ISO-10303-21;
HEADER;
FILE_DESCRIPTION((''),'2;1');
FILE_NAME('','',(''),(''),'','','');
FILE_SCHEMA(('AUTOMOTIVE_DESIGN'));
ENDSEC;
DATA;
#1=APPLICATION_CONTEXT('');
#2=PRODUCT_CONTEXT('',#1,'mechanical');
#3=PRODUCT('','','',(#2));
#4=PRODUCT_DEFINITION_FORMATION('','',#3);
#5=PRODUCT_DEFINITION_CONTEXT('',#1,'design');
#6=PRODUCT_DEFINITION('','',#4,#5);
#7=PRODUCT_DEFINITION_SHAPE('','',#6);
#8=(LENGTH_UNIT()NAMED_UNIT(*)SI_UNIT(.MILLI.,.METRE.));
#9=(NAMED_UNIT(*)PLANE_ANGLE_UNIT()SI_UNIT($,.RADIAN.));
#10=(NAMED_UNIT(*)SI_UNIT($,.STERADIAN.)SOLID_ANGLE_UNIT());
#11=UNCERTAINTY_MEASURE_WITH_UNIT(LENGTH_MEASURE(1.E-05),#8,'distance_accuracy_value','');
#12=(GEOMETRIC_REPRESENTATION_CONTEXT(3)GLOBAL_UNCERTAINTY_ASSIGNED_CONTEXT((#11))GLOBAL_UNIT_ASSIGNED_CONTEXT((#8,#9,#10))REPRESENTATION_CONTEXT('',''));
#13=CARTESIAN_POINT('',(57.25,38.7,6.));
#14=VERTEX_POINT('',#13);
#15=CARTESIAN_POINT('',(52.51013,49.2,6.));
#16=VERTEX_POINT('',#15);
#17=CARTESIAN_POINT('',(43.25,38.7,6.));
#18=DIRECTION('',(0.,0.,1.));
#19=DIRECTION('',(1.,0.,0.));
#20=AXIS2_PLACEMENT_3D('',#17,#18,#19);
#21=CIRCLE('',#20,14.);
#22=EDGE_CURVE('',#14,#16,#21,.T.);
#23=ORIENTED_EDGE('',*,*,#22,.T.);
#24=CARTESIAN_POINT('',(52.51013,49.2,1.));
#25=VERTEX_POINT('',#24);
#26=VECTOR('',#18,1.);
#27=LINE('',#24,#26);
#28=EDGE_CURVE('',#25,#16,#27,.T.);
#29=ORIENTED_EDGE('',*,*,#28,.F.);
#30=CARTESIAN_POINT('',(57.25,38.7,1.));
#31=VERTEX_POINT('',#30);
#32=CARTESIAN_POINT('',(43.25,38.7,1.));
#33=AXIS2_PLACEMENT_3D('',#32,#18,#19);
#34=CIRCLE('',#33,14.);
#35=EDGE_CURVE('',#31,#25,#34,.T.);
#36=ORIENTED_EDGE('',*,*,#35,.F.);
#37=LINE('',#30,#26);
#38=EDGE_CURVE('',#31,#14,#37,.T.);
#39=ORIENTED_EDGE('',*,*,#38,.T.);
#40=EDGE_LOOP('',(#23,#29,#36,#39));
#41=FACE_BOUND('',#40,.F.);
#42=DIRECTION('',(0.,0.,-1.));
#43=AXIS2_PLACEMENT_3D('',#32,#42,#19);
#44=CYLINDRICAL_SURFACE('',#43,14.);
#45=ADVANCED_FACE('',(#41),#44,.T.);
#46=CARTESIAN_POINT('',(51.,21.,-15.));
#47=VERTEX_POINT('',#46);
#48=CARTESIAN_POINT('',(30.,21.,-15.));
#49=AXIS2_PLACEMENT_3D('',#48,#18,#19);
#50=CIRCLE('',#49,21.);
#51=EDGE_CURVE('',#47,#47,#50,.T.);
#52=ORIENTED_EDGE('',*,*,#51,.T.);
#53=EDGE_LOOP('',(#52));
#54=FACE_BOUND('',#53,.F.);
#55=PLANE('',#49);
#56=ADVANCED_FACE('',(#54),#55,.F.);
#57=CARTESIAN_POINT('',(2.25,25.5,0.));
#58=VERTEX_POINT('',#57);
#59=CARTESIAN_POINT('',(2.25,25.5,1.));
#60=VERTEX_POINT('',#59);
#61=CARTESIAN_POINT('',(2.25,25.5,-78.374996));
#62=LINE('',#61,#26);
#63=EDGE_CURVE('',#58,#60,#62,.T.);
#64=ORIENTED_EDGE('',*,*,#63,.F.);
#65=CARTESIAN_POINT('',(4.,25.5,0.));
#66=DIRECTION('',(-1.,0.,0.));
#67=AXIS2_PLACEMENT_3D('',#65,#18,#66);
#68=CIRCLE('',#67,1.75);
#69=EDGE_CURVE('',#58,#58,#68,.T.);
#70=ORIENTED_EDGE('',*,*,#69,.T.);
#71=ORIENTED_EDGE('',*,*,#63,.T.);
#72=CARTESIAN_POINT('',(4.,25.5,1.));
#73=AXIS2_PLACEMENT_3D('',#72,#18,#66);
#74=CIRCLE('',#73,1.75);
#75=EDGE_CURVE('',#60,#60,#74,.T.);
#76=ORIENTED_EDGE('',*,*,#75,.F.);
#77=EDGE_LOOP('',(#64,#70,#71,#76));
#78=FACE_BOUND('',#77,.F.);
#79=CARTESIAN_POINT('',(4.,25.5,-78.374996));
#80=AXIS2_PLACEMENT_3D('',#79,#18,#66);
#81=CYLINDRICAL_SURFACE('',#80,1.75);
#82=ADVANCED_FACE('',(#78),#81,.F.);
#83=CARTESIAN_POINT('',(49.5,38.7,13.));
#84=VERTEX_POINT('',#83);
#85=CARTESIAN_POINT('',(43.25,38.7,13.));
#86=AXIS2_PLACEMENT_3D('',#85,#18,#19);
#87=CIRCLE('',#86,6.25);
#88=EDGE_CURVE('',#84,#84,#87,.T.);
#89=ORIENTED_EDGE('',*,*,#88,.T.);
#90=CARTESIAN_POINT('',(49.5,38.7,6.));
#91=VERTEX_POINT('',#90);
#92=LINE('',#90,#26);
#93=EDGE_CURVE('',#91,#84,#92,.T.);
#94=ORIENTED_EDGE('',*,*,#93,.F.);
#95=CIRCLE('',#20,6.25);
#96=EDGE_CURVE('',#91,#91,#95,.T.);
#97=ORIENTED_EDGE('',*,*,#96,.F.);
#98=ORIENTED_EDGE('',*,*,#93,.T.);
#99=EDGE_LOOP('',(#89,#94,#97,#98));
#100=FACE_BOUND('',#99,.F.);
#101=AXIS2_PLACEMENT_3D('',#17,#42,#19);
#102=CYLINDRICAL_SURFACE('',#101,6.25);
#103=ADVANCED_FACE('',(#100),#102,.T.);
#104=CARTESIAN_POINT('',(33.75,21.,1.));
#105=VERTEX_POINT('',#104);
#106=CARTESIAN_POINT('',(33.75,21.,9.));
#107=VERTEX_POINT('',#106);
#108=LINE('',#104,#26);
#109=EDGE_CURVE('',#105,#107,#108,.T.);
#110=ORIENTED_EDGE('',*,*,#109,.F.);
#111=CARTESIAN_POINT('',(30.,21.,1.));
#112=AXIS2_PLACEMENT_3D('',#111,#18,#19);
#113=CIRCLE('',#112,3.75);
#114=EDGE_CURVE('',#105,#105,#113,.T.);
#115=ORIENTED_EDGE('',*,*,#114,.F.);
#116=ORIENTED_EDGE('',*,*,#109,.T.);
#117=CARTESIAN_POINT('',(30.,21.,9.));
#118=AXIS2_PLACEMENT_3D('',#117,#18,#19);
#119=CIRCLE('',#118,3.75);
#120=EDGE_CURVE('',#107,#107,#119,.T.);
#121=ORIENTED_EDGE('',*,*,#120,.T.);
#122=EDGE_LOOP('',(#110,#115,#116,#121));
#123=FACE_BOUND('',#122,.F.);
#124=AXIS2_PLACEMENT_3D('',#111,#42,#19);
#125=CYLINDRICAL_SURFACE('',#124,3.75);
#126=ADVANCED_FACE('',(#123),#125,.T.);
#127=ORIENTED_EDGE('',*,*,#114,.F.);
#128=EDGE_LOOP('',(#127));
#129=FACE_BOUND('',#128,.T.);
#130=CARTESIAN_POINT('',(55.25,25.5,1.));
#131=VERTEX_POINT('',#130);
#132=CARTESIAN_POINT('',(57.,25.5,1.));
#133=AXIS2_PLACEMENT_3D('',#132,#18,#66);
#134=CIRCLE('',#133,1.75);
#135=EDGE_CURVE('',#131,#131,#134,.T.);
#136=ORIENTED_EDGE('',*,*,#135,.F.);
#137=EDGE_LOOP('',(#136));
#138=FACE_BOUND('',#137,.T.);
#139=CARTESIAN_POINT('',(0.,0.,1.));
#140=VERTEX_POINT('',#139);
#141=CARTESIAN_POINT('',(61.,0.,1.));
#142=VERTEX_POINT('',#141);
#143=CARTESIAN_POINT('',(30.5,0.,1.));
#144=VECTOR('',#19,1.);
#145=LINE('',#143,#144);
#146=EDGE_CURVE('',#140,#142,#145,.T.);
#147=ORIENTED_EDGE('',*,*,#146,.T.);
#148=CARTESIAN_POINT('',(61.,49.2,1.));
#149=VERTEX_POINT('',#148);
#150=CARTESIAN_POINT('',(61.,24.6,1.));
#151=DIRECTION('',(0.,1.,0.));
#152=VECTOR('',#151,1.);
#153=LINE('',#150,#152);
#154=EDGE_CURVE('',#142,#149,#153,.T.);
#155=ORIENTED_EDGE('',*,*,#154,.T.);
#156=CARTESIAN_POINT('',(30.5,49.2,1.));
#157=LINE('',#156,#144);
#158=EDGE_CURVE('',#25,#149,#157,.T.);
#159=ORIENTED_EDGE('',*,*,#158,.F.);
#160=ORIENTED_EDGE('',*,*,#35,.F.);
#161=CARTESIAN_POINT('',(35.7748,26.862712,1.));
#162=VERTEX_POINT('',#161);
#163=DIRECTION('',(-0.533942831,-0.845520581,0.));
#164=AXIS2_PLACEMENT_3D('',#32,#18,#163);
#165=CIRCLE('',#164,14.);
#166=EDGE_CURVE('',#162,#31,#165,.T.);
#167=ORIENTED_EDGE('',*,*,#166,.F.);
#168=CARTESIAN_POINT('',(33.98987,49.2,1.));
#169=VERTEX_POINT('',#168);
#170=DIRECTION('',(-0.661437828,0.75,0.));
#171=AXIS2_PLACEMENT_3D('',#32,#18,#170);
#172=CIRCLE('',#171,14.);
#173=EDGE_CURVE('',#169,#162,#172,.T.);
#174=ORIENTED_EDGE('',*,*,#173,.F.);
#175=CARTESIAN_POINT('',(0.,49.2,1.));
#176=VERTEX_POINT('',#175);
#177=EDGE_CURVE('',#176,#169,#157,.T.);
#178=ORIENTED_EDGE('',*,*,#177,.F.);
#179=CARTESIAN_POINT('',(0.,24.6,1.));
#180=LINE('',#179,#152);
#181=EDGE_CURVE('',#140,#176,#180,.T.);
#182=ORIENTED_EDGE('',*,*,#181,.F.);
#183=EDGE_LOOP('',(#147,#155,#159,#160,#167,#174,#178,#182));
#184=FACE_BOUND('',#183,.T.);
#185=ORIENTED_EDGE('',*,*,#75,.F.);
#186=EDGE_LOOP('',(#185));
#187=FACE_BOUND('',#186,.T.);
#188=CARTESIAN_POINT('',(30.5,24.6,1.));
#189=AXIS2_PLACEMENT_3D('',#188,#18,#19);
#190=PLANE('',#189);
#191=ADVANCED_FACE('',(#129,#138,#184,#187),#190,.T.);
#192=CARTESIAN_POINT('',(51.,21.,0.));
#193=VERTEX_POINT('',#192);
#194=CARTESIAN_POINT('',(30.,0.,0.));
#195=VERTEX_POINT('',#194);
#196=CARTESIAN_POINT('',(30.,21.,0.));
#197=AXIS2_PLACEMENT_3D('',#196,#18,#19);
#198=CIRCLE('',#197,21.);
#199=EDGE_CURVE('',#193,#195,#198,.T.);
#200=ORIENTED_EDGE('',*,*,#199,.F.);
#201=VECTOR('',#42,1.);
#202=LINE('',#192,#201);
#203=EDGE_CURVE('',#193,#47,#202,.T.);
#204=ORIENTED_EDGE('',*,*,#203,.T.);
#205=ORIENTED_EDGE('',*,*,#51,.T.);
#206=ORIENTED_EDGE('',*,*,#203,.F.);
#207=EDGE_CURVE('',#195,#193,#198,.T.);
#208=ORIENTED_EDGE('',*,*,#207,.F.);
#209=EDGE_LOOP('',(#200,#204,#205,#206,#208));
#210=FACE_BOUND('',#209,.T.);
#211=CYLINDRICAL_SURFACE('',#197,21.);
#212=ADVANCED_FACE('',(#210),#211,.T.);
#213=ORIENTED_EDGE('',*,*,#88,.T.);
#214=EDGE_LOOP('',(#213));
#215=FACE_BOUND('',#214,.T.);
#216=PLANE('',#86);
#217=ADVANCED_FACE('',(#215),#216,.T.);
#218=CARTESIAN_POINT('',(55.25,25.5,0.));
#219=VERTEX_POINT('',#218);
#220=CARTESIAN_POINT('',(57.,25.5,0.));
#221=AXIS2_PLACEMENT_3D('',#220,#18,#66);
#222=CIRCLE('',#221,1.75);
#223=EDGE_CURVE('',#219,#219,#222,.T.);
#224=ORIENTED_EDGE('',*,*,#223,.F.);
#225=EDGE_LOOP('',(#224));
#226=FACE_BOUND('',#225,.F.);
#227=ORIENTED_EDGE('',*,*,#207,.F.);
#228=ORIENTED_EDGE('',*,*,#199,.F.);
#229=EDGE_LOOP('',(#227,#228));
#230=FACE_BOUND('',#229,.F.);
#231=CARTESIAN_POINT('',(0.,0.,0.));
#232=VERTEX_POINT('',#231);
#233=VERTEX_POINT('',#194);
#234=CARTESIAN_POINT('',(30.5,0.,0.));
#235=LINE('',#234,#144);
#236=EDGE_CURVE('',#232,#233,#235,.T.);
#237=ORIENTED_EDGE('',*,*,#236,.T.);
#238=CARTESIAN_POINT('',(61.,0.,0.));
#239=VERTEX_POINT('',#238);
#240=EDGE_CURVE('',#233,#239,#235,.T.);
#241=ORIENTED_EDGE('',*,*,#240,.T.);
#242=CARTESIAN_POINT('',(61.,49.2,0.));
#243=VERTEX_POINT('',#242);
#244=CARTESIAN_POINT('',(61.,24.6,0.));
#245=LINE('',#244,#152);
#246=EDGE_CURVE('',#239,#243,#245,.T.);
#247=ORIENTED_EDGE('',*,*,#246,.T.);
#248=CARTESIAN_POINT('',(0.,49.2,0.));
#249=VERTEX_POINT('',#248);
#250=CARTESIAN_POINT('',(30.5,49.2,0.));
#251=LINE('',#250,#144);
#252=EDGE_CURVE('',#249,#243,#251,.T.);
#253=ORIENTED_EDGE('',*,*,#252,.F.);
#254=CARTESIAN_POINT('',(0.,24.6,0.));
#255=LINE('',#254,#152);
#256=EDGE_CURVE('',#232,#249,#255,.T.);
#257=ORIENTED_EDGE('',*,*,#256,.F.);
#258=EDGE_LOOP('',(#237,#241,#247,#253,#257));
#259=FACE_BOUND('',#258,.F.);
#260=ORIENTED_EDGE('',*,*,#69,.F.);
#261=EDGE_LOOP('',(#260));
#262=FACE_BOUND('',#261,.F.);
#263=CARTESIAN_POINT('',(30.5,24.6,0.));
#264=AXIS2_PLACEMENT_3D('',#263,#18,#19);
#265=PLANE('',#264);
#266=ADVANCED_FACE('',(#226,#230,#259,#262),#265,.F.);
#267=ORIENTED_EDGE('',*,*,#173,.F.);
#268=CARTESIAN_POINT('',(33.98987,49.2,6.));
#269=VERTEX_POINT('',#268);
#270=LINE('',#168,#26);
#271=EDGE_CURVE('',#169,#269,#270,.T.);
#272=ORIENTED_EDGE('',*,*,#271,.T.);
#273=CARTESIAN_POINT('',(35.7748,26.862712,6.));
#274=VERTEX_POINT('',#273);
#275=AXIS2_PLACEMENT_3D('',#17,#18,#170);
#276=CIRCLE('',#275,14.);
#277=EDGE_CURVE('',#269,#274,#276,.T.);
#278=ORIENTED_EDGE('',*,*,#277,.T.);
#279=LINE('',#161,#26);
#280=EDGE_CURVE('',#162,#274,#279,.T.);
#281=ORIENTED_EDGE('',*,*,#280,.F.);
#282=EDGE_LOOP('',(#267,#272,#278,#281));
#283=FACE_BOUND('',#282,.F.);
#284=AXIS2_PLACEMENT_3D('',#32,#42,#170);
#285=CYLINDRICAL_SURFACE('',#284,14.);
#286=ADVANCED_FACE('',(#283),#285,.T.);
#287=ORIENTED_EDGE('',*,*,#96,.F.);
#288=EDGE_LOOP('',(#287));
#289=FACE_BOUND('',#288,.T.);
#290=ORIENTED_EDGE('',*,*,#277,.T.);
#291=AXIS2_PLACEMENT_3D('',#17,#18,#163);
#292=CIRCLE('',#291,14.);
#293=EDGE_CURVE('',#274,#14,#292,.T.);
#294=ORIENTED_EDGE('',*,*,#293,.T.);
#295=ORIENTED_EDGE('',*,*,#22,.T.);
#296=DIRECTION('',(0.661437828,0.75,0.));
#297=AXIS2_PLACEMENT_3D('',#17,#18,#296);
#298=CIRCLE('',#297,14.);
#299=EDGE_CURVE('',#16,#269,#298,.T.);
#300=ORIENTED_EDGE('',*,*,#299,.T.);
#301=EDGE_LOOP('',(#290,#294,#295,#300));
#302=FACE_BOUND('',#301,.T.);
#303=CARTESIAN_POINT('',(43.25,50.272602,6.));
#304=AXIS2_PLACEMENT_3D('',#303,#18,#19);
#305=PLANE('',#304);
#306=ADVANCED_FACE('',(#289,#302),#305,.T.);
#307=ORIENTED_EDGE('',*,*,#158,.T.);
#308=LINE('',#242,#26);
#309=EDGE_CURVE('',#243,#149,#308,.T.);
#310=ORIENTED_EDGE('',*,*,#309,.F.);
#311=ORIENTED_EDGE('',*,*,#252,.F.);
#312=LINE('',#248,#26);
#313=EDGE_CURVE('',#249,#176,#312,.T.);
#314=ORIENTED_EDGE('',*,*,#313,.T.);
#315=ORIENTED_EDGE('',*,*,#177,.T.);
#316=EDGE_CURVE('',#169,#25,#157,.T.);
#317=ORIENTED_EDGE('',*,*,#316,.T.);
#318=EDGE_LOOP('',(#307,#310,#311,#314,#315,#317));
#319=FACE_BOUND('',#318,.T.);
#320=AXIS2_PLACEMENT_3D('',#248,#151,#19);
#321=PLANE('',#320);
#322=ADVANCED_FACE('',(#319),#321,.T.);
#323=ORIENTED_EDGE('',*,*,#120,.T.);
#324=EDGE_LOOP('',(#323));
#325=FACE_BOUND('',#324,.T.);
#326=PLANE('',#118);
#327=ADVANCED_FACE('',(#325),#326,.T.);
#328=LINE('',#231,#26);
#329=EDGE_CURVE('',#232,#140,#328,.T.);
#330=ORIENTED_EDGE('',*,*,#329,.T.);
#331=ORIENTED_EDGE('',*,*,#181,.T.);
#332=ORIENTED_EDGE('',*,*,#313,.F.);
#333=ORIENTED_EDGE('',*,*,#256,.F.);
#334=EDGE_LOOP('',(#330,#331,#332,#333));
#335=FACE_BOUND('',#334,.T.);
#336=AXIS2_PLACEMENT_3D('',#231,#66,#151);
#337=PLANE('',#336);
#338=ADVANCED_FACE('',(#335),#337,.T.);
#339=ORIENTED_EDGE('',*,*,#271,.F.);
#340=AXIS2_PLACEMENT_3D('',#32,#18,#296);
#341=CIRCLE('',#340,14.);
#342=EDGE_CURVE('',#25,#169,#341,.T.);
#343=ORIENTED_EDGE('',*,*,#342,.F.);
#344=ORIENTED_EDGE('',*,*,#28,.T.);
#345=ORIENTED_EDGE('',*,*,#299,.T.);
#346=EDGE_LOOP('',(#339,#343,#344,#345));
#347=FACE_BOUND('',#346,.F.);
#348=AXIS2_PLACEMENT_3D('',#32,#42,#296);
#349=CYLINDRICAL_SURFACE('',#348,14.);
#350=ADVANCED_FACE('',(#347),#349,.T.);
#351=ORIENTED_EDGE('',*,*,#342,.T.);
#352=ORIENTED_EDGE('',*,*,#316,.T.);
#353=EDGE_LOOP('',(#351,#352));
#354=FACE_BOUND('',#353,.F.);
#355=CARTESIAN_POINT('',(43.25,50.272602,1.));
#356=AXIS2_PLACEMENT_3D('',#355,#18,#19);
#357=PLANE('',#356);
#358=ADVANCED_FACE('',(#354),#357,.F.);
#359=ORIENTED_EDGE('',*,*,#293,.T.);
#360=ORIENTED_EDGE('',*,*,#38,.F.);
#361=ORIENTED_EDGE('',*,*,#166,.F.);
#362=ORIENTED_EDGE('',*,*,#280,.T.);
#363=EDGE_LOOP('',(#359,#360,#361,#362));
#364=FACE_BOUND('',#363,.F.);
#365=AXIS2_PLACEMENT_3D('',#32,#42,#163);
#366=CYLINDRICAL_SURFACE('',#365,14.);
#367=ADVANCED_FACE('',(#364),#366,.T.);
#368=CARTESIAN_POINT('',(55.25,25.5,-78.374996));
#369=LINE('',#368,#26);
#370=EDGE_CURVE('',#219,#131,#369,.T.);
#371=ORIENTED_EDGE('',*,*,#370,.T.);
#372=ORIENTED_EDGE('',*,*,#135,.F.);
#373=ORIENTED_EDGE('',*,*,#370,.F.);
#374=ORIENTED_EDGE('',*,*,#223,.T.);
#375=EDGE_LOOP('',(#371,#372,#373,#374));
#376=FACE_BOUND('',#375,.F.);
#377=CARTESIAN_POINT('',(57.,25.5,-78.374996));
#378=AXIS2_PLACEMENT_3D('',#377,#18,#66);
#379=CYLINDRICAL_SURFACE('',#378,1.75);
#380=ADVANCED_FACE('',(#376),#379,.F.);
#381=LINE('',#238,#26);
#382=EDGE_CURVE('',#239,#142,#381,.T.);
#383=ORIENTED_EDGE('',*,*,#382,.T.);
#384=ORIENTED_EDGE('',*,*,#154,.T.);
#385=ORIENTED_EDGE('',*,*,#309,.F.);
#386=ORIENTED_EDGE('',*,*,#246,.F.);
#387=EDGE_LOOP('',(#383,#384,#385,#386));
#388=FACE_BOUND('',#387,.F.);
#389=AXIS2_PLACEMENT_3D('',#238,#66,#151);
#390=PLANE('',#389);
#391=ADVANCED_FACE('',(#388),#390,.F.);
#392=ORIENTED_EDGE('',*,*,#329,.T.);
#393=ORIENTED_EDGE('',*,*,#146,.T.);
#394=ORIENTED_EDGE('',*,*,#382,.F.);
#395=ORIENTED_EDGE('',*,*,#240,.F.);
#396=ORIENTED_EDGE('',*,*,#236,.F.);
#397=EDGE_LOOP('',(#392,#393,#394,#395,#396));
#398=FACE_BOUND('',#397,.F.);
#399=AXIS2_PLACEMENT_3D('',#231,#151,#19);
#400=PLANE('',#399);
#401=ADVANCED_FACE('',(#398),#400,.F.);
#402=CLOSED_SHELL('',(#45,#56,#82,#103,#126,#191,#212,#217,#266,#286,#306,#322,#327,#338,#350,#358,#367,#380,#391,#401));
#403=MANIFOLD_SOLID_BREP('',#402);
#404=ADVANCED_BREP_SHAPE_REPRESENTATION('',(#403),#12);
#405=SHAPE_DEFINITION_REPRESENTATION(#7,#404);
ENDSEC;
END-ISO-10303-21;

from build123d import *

# Parameters (mm, degrees)
F0_W     = 61
F0_H     = 49.2
F1_DEPTH = 1
F2_D     = 3.5
F3_R     = 3.75
F4_DEPTH = 8
F3_R_2   = 6.25
F5_DEPTH = 5
F6_R     = 21
F7_DEPTH = 15
F8_R     = 6.25
F9_DEPTH = 7


with BuildPart() as f1:
    # F0 (on Top) → F1 (new body)
    with BuildSketch(Plane.XY):
        with Locations((30.5, 24.6)):
            Rectangle(F0_W, F0_H)
    extrude(amount=F1_DEPTH)

    # F2 (through all)
    with Locations(Plane(origin=(0, 0, 0), x_dir=(1, 0, 0), z_dir=(0, 0, -1))):
        with Locations((4, -25.5), (57, -25.5)):
            Hole(F2_D / 2)

    # F3 (on face) → F4 (join)
    with BuildSketch(Plane.XY.offset(1)):
        with Locations((30, 21)):
            Circle(F3_R)
    extrude(amount=F4_DEPTH)

    # F3 (on face) → F5 (join)
    with BuildSketch(Plane.XY.offset(1)):
        with BuildLine():
            ThreePointArc((52.5101295887, 49.2), (43.25, 52.7), (33.9898704113, 49.2))
            Line((33.9898704113, 49.2), (52.5101295887, 49.2))
        make_face()
        with BuildLine():
            ThreePointArc((33.9898704113, 49.2), (29.2944841953, 37.5848414357), (35.7748003642, 26.8627118644))
            ThreePointArc((35.7748003642, 26.8627118644), (43.25, 30.5), (50.7251996358, 26.8627118644))
            ThreePointArc((50.7251996358, 26.8627118644), (55.5107665931, 31.9417751924), (57.25, 38.7))
            ThreePointArc((57.25, 38.7), (56.0101295887, 44.4601295887), (52.5101295887, 49.2))
            Line((52.5101295887, 49.2), (33.9898704113, 49.2))
        make_face()
        with Locations((43.25, 38.7)):
            Circle(F3_R_2, mode=Mode.SUBTRACT)
        with Locations((43.25, 38.7)):
            Circle(F3_R_2)
        with BuildLine():
            ThreePointArc((50.7251996358, 26.8627118644), (43.25, 30.5), (35.7748003642, 26.8627118644))
            ThreePointArc((35.7748003642, 26.8627118644), (43.25, 24.7), (50.7251996358, 26.8627118644))
        make_face()
    extrude(amount=F5_DEPTH)

    # F6 (on face) → F7 (join)
    with BuildSketch(Plane.XY):
        with Locations((30, 21)):
            Circle(F6_R)
    extrude(amount=-F7_DEPTH)

    # F8 (on face) → F9 (join)
    with BuildSketch(Plane.XY.offset(6)):
        with Locations((43.25, 38.7)):
            Circle(F8_R)
    extrude(amount=F9_DEPTH)


solid = f1.part
